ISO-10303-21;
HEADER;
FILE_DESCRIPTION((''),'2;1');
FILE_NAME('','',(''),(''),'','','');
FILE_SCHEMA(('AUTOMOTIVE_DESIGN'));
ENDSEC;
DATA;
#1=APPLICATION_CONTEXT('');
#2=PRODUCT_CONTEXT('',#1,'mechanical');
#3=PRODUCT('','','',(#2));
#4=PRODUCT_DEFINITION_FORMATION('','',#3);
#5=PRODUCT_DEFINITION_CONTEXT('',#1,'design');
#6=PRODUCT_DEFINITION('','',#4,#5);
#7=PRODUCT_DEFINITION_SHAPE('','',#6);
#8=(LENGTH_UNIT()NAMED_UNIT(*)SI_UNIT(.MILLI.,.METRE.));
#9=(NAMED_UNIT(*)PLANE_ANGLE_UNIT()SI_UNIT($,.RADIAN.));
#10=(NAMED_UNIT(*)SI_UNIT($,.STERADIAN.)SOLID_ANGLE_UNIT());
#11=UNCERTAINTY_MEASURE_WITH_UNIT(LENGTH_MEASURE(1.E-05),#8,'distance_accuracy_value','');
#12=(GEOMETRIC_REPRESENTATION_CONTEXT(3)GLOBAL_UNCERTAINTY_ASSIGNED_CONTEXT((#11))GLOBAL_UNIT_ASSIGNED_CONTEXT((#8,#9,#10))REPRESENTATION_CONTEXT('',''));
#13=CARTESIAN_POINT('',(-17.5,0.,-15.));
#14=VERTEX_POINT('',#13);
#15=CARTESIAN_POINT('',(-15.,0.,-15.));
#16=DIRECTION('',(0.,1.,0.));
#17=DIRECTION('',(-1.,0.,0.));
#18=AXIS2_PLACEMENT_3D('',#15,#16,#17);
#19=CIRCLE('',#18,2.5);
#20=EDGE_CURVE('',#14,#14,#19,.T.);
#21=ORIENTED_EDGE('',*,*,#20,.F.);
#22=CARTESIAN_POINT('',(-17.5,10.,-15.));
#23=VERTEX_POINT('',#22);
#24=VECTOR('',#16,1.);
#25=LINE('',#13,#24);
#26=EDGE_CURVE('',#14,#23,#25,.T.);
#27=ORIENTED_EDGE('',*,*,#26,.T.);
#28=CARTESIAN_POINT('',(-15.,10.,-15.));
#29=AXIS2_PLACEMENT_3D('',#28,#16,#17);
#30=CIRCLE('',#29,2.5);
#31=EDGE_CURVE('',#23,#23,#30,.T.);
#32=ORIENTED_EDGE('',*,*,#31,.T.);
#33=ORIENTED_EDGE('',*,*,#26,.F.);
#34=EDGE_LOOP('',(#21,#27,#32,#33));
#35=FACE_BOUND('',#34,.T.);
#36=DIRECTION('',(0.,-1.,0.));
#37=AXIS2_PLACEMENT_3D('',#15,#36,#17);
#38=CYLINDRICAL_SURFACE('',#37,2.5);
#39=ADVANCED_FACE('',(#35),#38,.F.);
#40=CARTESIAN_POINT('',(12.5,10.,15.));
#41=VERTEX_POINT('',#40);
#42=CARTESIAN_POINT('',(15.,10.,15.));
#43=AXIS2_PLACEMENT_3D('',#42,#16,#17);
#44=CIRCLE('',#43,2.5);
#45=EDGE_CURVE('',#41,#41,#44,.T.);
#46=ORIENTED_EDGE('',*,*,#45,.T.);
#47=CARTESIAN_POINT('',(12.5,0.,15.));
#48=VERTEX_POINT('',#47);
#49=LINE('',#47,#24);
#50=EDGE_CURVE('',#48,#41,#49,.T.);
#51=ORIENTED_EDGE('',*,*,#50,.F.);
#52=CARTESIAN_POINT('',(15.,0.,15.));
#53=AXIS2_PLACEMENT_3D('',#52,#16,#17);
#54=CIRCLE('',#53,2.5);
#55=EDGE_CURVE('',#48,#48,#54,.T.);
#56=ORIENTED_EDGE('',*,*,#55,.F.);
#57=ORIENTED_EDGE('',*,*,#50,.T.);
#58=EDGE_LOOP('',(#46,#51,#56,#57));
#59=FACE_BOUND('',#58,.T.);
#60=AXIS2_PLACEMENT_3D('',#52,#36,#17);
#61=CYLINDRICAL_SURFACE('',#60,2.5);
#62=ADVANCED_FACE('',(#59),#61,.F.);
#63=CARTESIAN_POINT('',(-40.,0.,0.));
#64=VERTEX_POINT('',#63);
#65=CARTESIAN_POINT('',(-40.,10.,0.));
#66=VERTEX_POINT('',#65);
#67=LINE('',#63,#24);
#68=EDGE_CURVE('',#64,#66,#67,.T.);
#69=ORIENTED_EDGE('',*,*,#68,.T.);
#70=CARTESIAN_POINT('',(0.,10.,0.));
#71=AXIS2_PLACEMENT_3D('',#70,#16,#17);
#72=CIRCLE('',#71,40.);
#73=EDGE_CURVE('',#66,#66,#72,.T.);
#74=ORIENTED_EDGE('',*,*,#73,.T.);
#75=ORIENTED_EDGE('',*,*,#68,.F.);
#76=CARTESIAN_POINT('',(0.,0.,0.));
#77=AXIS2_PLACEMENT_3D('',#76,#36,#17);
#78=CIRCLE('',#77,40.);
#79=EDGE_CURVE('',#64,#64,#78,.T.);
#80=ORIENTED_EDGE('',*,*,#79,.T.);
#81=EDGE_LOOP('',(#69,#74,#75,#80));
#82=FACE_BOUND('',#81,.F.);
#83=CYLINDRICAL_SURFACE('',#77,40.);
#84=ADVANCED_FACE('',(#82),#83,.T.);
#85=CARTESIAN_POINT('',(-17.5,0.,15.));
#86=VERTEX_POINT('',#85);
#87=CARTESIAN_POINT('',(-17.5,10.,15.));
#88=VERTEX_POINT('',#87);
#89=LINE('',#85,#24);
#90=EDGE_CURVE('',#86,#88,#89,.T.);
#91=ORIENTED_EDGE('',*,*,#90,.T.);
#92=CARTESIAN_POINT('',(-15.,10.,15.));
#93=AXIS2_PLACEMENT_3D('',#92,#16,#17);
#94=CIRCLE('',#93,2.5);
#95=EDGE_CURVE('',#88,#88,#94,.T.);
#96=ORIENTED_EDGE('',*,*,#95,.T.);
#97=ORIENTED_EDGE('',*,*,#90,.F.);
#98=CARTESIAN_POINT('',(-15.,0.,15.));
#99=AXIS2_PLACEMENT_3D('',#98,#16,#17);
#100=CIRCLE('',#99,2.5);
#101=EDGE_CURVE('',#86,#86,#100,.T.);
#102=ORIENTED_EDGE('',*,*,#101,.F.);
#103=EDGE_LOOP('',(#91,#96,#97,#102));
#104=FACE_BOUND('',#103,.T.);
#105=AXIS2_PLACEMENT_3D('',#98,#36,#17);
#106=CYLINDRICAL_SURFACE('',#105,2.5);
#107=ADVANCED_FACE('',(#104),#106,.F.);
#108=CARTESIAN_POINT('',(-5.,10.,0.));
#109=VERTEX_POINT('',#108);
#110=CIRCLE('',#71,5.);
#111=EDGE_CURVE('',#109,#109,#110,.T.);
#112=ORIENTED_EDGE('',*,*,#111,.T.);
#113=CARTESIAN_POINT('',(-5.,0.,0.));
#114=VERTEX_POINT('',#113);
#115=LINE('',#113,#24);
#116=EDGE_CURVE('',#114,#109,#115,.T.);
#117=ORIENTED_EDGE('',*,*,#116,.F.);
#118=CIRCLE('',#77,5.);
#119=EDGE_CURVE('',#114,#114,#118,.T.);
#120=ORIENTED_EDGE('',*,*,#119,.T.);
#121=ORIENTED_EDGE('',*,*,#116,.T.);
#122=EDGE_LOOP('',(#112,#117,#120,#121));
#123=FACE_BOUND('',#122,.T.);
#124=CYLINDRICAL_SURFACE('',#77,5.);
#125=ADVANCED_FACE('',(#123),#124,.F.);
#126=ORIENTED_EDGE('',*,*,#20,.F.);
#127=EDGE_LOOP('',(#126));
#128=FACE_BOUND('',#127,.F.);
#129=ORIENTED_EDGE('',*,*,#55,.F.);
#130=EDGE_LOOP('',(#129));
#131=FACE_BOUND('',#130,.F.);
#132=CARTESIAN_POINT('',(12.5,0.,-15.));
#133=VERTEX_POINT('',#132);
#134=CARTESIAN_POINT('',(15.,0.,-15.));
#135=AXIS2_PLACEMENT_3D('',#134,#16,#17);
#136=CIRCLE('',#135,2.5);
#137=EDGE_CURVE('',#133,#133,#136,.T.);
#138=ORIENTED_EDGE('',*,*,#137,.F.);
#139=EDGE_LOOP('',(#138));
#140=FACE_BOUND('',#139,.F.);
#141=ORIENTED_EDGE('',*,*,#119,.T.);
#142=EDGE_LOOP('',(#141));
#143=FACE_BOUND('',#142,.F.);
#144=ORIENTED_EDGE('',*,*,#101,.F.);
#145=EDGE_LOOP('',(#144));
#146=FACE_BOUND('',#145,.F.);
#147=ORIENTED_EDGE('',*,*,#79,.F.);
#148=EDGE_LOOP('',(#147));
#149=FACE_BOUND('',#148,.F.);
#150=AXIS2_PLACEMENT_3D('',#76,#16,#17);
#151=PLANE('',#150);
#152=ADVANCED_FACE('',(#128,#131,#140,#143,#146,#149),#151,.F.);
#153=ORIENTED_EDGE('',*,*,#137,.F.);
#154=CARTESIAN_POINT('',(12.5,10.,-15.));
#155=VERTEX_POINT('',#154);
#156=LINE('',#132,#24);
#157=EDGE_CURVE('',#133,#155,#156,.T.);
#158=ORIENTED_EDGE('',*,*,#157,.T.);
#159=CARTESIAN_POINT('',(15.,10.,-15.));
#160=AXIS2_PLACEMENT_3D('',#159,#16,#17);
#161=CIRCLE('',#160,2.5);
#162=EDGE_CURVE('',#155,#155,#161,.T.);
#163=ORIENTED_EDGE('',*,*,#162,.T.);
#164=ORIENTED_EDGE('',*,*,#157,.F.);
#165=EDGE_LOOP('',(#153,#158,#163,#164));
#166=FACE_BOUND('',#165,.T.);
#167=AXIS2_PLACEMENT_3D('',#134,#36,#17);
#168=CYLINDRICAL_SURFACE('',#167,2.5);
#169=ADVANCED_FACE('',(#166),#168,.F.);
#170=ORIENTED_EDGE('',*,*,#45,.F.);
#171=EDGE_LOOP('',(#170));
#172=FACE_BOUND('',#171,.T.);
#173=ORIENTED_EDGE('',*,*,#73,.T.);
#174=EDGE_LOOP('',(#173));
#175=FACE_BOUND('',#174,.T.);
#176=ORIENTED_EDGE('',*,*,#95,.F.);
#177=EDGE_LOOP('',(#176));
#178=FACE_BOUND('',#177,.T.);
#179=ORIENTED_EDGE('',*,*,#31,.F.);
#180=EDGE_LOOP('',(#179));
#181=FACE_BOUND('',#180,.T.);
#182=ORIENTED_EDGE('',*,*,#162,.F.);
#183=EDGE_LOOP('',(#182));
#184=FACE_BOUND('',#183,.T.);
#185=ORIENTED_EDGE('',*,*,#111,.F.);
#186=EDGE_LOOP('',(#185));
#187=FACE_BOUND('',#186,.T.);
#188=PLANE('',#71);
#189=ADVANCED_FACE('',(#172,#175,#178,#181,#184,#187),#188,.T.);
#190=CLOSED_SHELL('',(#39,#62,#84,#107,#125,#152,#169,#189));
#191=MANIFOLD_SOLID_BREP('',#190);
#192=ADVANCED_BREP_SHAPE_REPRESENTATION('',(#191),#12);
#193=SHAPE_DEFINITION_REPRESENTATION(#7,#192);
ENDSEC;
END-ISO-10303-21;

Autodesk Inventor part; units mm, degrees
ref_plane "YZ Plane" through (0, 0, 0) normal (1, 0, 0) x (0, 1, 0)
ref_plane "XZ Plane" through (0, 0, 0) normal (0, 1, 0) x (-1, 0, 0)
ref_plane "XY Plane" through (0, 0, 0) normal (0, 0, 1) x (1, 0, 0)
sketch "Block1" plane through (0, 0, 0) normal (0, 0, 1) x (1, 0, 0)
  circle A0 centre (0, 0) radius 60.22
  circle A1 centre (-30, -30) radius 2.72
  circle A2 centre (30, -30) radius 2.72
  circle A3 centre (0, 0) radius 5.22
  circle A4 centre (-30, 30) radius 2.72
  circle A5 centre (30, 30) radius 2.72
sketch "Block2" plane through (0, 0, 0) normal (0, 0, 1) x (1, 0, 0)
  circle A0 centre (0, 0) radius 40.22
  circle A1 centre (20, 20) radius 2.72
  circle A2 centre (-20, 20) radius 2.72
  circle A3 centre (0, 0) radius 5.22
  circle A4 centre (20, -20) radius 2.72
  circle A5 centre (-20, -20) radius 2.72
sketch "Block3" plane through (0, 0, 0) normal (0, 0, 1) x (1, 0, 0)
  circle A0 centre (0, 0) radius 40.22
  circle A1 centre (15, -15) radius 2.72
  circle A2 centre (-15, -15) radius 2.72
  circle A3 centre (0, 0) radius 5.22
  circle A4 centre (15, 15) radius 2.72
  circle A5 centre (-15, 15) radius 2.72
sketch "Sketch1" plane through (0, 0, 0) normal (0, 1, 0) x (-1, 0, 0)
  circle A0 centre (0, 0) radius 40
  circle A1 centre (0, 0) radius 5
  circle A2 centre (15, 15) radius 2.5
  line L0 (56.308, 0) -> (-56.308, 0) projected
  line L1 (0, -56.308) -> (0, 56.308) projected
  circle A3 centre (15, -15) radius 2.5
  circle A4 centre (-15, 15) radius 2.5
  circle A5 centre (-15, -15) radius 2.5
  dimension "d0" = 80
  dimension "d3" = 10
  dimension "d6" = 5
  dimension "d7" = 15
  dimension "d8" = 15
extrude "Extrusion3" add sketch "Sketch1" along normal blind 10 contours L0 A1 L1 A0 | A0 L1 A1 L0 | L1 A1 L0 A0 | A0 L0 A1 L1
sketch "Sketch6" plane through (0, 0, 0) normal (0, -1, 0) x (1, 0, 0)
  circle A0 centre (0, 0) radius 5 projected
  circle A1 centre (15, 15) radius 2.5 projected
  circle A2 centre (15, -15) radius 2.5 projected
  circle A3 centre (-15, -15) radius 2.5 projected
  circle A4 centre (-15, 15) radius 2.5 projected
  circle A5 centre (0, 0) radius 40 projected
sketch "DXF" plane through (0, 0, 0) normal (0, 1, 0) x (-1, 0, 0)
  point P0 (0, 0)
properties part number "drivepullySide"
